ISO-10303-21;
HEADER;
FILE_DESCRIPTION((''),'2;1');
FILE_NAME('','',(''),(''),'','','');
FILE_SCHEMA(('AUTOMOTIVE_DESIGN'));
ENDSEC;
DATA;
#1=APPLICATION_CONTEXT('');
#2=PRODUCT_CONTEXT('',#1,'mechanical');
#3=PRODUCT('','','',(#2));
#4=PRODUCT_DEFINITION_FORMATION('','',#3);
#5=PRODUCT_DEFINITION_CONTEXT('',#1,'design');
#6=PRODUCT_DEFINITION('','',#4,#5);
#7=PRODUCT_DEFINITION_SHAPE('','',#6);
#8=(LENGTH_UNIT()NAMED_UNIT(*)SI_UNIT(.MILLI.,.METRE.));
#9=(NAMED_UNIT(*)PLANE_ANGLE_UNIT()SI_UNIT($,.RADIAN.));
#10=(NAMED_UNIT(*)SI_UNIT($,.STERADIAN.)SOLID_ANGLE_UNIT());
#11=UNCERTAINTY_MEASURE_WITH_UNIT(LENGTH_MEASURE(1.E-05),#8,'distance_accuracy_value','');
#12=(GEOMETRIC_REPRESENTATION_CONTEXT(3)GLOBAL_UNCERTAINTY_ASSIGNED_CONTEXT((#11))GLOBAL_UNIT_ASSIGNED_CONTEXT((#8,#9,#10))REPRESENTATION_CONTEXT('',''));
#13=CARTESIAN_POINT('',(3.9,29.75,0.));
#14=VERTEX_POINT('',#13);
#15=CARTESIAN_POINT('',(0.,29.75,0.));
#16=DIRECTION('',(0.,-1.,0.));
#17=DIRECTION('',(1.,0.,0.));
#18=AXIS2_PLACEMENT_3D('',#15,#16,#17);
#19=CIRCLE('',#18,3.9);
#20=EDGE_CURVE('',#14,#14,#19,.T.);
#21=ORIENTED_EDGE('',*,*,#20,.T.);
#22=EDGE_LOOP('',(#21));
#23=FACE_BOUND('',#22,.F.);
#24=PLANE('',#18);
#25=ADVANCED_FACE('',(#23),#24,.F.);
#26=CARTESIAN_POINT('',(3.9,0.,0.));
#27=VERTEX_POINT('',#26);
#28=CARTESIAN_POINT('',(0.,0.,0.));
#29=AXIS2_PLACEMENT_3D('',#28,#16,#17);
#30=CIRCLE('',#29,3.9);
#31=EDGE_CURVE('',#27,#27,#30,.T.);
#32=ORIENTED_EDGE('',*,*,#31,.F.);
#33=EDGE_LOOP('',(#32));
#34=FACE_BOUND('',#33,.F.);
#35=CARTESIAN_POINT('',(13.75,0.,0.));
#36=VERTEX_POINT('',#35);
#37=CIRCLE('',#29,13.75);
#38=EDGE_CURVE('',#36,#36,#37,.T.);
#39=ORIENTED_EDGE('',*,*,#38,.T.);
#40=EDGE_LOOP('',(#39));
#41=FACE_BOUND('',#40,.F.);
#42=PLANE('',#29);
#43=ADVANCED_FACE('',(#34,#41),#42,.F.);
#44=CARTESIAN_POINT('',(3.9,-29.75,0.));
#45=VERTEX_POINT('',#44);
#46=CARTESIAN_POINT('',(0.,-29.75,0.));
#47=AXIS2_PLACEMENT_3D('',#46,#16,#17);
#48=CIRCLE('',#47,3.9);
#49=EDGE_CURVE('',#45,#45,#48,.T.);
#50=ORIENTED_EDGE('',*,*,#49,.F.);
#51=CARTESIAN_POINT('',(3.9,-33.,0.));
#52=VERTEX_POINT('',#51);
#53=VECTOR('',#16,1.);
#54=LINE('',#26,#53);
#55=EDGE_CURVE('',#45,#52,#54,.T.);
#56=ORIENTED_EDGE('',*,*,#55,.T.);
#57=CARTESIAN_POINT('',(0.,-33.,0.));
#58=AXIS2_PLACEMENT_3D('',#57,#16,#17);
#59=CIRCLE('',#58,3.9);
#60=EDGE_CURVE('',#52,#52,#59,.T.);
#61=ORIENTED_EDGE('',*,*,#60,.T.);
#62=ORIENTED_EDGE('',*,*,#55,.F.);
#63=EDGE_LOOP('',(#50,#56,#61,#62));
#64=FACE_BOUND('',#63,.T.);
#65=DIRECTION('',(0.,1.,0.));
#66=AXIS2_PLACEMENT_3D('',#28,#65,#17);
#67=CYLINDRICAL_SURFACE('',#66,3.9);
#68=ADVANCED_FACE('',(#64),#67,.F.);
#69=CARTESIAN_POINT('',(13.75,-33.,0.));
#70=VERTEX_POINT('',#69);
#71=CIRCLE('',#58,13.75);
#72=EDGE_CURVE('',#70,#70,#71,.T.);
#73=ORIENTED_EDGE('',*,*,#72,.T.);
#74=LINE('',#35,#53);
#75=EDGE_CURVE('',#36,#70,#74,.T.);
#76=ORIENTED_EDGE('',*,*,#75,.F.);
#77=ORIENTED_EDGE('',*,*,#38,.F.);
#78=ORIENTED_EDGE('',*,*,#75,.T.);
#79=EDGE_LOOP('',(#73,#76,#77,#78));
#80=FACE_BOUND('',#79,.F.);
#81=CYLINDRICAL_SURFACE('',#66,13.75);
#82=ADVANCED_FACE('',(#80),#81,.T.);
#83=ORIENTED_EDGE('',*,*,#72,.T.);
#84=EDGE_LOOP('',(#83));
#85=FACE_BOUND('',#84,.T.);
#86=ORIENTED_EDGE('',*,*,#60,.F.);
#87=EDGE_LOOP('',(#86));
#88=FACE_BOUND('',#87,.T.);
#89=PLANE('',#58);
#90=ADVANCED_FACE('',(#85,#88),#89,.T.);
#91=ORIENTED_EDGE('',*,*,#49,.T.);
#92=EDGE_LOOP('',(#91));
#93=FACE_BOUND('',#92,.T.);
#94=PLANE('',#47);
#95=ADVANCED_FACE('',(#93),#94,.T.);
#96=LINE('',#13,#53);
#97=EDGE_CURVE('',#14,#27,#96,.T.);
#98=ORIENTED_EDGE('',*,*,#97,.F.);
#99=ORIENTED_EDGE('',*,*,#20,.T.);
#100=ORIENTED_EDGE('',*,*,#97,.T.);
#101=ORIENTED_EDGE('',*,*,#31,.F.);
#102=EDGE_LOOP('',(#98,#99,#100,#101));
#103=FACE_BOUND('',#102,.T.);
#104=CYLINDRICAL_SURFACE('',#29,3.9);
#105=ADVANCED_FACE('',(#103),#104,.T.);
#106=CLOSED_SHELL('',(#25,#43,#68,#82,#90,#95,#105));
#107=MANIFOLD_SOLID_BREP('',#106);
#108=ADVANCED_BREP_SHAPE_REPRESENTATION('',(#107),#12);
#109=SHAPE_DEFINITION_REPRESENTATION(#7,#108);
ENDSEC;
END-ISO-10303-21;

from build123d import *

# Parameters (mm, degrees)
F0_R     = 13.75
F0_R_2   = 3.9
F1_DEPTH = 33
F2_DEPTH = 29.75


with BuildPart() as f1:
    # F0 (on Front) → F1 (new body)
    with BuildSketch(Plane.XZ):
        Circle(F0_R)
        Circle(F0_R_2, mode=Mode.SUBTRACT)
    extrude(amount=F1_DEPTH)

    # F0 (on Front) → F2 (join, symmetric)
    with BuildSketch(Plane.XZ):
        Circle(F0_R_2)
    extrude(amount=F2_DEPTH, both=True)


solid = f1.part
